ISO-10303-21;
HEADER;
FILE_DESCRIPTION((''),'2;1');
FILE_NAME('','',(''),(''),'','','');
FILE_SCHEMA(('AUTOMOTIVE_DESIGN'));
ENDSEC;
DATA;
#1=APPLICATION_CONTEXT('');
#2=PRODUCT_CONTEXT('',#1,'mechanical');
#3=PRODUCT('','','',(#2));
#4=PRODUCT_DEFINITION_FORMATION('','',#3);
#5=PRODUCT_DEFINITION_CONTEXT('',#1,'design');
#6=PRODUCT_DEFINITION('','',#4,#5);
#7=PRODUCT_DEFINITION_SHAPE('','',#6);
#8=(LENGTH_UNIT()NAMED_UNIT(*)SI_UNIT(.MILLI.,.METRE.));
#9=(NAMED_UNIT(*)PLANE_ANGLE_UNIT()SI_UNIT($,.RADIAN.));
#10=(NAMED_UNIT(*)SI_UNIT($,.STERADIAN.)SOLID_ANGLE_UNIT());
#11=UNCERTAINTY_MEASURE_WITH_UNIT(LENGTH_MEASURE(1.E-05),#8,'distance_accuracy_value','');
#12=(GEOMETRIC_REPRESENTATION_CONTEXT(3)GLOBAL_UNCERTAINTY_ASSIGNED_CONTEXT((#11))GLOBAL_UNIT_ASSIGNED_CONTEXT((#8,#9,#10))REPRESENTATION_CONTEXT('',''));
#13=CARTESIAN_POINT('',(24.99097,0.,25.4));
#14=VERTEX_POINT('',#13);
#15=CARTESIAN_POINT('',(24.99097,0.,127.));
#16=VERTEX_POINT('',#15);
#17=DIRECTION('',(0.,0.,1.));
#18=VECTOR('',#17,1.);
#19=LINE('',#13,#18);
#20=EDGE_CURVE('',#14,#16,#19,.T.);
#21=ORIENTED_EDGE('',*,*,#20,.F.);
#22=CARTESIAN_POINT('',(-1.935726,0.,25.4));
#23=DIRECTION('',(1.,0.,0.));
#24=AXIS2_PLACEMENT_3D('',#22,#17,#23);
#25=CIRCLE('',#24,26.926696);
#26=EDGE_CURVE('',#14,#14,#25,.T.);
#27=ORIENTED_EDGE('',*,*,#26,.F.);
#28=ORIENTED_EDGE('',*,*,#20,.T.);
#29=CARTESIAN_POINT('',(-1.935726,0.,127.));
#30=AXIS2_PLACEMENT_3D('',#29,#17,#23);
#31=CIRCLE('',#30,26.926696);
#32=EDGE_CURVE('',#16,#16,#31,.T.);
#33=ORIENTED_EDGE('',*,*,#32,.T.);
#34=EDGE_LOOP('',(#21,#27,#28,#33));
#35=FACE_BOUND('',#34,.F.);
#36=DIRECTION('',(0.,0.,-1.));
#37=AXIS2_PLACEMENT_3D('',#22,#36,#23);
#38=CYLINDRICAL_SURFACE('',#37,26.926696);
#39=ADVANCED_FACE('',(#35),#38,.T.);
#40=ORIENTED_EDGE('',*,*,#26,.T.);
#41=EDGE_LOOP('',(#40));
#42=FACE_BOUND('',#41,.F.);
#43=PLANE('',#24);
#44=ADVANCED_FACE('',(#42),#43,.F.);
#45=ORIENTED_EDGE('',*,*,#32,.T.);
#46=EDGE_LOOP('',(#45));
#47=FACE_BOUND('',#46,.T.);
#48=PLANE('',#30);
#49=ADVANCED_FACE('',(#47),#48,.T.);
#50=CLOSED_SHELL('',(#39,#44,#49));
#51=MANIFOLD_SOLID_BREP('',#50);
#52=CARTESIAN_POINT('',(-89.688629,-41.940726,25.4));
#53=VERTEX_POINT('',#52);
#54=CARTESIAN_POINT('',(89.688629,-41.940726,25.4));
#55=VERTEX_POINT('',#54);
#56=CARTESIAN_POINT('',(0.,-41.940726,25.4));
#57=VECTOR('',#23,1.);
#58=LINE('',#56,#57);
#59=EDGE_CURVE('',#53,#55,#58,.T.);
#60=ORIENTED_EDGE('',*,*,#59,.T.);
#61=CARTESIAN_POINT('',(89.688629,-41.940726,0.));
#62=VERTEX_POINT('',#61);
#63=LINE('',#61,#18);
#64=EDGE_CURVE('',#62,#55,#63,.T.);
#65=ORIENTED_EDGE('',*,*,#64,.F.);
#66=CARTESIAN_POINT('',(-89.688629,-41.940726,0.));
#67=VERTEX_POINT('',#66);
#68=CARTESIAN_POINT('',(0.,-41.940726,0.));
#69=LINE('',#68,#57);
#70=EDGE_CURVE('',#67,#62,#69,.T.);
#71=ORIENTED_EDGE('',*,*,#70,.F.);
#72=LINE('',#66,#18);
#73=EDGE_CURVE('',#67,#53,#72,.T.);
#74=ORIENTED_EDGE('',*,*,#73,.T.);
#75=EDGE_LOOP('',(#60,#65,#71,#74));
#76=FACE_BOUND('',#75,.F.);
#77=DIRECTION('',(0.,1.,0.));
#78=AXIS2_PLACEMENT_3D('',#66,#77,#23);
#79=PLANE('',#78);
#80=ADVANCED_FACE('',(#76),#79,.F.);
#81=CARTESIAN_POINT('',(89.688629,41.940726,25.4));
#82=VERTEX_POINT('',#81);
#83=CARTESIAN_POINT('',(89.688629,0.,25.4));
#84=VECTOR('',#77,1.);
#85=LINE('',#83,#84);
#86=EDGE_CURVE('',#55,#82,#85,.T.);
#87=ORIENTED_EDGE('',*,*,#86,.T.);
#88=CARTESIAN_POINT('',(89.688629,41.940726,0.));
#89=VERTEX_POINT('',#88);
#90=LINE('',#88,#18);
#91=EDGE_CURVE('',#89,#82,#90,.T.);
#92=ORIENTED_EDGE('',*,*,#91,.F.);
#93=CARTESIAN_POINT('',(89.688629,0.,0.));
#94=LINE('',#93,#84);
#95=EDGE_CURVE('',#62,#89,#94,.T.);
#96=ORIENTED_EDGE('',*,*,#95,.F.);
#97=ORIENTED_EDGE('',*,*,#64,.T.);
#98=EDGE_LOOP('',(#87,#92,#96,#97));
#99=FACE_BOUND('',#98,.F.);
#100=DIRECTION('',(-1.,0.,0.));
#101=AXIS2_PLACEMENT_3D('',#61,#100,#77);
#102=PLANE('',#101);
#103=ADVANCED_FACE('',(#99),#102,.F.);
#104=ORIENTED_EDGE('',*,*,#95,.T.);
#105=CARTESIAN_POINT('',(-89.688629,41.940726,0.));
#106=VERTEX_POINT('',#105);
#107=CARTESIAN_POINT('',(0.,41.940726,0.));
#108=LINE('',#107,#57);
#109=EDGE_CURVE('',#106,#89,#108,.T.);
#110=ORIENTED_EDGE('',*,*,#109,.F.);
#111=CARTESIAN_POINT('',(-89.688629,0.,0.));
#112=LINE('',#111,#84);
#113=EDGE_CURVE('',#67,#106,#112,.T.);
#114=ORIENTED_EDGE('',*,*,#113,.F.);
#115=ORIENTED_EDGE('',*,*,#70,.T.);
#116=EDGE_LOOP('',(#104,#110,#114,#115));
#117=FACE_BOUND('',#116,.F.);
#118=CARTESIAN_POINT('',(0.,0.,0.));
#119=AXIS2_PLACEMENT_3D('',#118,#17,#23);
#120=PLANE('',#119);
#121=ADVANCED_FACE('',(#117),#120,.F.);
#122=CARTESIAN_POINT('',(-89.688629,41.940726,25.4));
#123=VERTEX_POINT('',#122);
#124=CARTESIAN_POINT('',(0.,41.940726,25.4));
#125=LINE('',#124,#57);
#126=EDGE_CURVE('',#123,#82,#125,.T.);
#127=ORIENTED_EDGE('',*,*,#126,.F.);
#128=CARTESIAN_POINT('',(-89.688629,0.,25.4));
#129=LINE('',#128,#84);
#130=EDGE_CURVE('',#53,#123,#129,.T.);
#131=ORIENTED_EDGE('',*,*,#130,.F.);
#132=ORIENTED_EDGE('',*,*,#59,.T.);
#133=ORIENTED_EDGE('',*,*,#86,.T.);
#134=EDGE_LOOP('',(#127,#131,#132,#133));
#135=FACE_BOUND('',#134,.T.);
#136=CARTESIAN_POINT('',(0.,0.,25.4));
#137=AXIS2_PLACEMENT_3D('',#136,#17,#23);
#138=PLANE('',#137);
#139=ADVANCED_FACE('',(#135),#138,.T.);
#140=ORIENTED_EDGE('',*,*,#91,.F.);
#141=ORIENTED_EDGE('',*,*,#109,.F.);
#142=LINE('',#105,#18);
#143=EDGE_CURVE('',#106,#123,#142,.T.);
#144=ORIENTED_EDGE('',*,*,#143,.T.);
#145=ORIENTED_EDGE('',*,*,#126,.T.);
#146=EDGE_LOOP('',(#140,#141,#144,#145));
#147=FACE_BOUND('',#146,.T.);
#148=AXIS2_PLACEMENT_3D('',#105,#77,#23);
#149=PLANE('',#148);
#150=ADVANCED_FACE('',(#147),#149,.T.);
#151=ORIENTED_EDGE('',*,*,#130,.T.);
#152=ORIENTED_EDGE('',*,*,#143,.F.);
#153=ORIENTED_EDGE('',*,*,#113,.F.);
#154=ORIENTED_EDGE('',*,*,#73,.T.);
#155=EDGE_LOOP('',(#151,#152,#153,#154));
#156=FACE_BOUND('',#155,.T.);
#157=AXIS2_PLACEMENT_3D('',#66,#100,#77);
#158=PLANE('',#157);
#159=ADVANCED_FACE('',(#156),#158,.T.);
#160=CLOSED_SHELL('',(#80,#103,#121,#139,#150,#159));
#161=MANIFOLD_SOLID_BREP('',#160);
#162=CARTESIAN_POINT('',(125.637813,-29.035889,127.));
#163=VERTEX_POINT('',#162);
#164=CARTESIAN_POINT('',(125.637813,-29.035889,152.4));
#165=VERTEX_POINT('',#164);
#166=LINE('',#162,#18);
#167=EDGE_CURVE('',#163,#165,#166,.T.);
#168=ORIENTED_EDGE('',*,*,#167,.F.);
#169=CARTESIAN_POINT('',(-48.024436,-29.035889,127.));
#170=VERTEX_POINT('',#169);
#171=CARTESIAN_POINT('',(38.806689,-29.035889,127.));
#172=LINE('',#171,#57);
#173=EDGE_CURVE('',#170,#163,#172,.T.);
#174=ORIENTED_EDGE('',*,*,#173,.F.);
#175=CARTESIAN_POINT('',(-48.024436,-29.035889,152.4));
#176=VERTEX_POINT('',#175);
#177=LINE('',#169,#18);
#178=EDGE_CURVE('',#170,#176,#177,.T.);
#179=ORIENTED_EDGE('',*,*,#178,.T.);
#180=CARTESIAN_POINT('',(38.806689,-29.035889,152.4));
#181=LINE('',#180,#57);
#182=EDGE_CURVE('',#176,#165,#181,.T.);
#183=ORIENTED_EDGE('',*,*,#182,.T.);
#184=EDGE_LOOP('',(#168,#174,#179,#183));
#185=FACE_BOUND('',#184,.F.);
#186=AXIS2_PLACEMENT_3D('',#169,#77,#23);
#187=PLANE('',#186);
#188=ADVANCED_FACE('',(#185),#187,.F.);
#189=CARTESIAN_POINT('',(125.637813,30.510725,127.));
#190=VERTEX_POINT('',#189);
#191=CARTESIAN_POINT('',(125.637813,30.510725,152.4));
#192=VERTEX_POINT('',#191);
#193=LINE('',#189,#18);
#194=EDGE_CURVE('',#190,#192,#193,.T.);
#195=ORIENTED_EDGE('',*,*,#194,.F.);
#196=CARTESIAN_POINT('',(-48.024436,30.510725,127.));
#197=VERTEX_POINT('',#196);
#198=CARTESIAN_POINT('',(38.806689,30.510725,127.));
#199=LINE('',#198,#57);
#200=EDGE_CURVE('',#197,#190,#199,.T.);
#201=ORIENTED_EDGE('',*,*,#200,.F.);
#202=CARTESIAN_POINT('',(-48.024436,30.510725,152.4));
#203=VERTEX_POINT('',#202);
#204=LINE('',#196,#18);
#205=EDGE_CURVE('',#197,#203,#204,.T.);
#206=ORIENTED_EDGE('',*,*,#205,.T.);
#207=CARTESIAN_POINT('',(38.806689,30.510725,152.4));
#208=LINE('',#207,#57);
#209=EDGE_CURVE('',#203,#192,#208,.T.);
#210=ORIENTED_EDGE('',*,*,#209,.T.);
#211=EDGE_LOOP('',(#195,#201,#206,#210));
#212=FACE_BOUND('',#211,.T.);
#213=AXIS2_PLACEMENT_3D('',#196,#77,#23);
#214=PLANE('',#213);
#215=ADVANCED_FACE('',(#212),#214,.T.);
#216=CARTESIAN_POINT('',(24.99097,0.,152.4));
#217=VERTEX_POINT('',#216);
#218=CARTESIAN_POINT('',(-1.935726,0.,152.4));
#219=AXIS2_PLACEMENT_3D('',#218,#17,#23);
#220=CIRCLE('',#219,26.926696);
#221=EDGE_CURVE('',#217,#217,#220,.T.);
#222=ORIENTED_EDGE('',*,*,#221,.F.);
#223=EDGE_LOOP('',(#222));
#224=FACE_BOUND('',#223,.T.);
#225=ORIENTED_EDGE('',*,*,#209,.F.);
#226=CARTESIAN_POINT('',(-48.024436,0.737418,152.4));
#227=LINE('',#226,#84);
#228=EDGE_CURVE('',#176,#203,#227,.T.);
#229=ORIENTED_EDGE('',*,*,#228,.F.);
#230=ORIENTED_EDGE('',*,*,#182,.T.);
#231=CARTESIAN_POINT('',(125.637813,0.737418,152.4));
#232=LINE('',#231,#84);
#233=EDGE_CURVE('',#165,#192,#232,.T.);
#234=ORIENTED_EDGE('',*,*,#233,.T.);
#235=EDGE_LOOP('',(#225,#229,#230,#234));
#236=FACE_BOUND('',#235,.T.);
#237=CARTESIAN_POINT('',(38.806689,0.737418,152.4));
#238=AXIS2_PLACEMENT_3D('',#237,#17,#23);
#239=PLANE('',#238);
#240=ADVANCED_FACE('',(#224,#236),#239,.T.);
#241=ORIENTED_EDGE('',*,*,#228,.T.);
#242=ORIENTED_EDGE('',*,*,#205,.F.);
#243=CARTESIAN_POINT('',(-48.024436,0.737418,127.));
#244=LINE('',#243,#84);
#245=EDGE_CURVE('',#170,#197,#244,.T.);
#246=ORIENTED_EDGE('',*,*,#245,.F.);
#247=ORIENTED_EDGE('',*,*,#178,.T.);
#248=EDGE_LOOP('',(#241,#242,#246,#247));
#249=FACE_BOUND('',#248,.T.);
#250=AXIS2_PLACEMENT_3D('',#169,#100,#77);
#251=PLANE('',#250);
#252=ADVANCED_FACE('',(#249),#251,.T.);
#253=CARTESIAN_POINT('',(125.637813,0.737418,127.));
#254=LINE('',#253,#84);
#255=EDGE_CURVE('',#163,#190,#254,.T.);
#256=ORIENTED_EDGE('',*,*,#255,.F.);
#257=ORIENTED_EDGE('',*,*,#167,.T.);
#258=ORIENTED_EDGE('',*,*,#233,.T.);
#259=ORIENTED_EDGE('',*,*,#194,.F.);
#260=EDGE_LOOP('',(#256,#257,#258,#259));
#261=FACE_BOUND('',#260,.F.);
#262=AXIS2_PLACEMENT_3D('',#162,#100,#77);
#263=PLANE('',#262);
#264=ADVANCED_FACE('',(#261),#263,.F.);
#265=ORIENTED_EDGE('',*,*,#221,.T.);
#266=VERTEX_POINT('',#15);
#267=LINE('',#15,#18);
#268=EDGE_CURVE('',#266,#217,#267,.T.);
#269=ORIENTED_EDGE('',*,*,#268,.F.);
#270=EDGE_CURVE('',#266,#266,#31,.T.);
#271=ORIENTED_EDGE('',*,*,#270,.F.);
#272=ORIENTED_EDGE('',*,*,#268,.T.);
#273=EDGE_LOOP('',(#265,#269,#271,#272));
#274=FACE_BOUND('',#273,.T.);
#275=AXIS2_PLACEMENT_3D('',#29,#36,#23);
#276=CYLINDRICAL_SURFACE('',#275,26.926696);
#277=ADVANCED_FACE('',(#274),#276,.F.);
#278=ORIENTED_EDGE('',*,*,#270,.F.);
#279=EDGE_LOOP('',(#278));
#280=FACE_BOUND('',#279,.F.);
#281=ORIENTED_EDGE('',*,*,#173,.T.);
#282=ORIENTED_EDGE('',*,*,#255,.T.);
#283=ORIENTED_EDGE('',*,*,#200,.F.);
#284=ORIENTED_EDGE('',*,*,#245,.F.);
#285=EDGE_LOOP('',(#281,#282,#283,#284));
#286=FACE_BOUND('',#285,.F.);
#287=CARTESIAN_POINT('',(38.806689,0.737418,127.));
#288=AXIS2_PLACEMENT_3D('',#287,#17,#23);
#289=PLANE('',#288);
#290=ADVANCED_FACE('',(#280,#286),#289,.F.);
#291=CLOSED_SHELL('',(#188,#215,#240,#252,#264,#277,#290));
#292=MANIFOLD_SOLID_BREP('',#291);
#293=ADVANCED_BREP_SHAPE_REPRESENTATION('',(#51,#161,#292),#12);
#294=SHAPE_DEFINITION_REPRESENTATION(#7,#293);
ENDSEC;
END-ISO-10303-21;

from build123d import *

# Parameters (mm, degrees)
F0_W     = 179.377258
F0_H     = 83.881452
F1_DEPTH = 25.4
F2_R     = 26.926696
F3_DEPTH = 101.6
F4_W     = 173.662249
F4_H     = 59.546614
F4_R     = 26.926696
F5_DEPTH = 25.4


with BuildPart() as f1:
    # F0 (on Top) → F1 (new body)
    with BuildSketch(Plane.XY):
        Rectangle(F0_W, F0_H)
    extrude(amount=F1_DEPTH)


with BuildPart() as f3:
    # F2 (on face) → F3 (new body)
    with BuildSketch(Plane.XY.offset(25.4)):
        with Locations((-1.935726, 0)):
            Circle(F2_R)
    extrude(amount=F3_DEPTH)


with BuildPart() as f5:
    # F4 (on face) → F5 (new body)
    with BuildSketch(Plane.XY.offset(127)):
        with Locations((38.806689, 0.737418)):
            Rectangle(F4_W, F4_H)
        with Locations((-1.935726, 0)):
            Circle(F4_R, mode=Mode.SUBTRACT)
    extrude(amount=F5_DEPTH)


solid = Compound([f1.part, f3.part, f5.part])
